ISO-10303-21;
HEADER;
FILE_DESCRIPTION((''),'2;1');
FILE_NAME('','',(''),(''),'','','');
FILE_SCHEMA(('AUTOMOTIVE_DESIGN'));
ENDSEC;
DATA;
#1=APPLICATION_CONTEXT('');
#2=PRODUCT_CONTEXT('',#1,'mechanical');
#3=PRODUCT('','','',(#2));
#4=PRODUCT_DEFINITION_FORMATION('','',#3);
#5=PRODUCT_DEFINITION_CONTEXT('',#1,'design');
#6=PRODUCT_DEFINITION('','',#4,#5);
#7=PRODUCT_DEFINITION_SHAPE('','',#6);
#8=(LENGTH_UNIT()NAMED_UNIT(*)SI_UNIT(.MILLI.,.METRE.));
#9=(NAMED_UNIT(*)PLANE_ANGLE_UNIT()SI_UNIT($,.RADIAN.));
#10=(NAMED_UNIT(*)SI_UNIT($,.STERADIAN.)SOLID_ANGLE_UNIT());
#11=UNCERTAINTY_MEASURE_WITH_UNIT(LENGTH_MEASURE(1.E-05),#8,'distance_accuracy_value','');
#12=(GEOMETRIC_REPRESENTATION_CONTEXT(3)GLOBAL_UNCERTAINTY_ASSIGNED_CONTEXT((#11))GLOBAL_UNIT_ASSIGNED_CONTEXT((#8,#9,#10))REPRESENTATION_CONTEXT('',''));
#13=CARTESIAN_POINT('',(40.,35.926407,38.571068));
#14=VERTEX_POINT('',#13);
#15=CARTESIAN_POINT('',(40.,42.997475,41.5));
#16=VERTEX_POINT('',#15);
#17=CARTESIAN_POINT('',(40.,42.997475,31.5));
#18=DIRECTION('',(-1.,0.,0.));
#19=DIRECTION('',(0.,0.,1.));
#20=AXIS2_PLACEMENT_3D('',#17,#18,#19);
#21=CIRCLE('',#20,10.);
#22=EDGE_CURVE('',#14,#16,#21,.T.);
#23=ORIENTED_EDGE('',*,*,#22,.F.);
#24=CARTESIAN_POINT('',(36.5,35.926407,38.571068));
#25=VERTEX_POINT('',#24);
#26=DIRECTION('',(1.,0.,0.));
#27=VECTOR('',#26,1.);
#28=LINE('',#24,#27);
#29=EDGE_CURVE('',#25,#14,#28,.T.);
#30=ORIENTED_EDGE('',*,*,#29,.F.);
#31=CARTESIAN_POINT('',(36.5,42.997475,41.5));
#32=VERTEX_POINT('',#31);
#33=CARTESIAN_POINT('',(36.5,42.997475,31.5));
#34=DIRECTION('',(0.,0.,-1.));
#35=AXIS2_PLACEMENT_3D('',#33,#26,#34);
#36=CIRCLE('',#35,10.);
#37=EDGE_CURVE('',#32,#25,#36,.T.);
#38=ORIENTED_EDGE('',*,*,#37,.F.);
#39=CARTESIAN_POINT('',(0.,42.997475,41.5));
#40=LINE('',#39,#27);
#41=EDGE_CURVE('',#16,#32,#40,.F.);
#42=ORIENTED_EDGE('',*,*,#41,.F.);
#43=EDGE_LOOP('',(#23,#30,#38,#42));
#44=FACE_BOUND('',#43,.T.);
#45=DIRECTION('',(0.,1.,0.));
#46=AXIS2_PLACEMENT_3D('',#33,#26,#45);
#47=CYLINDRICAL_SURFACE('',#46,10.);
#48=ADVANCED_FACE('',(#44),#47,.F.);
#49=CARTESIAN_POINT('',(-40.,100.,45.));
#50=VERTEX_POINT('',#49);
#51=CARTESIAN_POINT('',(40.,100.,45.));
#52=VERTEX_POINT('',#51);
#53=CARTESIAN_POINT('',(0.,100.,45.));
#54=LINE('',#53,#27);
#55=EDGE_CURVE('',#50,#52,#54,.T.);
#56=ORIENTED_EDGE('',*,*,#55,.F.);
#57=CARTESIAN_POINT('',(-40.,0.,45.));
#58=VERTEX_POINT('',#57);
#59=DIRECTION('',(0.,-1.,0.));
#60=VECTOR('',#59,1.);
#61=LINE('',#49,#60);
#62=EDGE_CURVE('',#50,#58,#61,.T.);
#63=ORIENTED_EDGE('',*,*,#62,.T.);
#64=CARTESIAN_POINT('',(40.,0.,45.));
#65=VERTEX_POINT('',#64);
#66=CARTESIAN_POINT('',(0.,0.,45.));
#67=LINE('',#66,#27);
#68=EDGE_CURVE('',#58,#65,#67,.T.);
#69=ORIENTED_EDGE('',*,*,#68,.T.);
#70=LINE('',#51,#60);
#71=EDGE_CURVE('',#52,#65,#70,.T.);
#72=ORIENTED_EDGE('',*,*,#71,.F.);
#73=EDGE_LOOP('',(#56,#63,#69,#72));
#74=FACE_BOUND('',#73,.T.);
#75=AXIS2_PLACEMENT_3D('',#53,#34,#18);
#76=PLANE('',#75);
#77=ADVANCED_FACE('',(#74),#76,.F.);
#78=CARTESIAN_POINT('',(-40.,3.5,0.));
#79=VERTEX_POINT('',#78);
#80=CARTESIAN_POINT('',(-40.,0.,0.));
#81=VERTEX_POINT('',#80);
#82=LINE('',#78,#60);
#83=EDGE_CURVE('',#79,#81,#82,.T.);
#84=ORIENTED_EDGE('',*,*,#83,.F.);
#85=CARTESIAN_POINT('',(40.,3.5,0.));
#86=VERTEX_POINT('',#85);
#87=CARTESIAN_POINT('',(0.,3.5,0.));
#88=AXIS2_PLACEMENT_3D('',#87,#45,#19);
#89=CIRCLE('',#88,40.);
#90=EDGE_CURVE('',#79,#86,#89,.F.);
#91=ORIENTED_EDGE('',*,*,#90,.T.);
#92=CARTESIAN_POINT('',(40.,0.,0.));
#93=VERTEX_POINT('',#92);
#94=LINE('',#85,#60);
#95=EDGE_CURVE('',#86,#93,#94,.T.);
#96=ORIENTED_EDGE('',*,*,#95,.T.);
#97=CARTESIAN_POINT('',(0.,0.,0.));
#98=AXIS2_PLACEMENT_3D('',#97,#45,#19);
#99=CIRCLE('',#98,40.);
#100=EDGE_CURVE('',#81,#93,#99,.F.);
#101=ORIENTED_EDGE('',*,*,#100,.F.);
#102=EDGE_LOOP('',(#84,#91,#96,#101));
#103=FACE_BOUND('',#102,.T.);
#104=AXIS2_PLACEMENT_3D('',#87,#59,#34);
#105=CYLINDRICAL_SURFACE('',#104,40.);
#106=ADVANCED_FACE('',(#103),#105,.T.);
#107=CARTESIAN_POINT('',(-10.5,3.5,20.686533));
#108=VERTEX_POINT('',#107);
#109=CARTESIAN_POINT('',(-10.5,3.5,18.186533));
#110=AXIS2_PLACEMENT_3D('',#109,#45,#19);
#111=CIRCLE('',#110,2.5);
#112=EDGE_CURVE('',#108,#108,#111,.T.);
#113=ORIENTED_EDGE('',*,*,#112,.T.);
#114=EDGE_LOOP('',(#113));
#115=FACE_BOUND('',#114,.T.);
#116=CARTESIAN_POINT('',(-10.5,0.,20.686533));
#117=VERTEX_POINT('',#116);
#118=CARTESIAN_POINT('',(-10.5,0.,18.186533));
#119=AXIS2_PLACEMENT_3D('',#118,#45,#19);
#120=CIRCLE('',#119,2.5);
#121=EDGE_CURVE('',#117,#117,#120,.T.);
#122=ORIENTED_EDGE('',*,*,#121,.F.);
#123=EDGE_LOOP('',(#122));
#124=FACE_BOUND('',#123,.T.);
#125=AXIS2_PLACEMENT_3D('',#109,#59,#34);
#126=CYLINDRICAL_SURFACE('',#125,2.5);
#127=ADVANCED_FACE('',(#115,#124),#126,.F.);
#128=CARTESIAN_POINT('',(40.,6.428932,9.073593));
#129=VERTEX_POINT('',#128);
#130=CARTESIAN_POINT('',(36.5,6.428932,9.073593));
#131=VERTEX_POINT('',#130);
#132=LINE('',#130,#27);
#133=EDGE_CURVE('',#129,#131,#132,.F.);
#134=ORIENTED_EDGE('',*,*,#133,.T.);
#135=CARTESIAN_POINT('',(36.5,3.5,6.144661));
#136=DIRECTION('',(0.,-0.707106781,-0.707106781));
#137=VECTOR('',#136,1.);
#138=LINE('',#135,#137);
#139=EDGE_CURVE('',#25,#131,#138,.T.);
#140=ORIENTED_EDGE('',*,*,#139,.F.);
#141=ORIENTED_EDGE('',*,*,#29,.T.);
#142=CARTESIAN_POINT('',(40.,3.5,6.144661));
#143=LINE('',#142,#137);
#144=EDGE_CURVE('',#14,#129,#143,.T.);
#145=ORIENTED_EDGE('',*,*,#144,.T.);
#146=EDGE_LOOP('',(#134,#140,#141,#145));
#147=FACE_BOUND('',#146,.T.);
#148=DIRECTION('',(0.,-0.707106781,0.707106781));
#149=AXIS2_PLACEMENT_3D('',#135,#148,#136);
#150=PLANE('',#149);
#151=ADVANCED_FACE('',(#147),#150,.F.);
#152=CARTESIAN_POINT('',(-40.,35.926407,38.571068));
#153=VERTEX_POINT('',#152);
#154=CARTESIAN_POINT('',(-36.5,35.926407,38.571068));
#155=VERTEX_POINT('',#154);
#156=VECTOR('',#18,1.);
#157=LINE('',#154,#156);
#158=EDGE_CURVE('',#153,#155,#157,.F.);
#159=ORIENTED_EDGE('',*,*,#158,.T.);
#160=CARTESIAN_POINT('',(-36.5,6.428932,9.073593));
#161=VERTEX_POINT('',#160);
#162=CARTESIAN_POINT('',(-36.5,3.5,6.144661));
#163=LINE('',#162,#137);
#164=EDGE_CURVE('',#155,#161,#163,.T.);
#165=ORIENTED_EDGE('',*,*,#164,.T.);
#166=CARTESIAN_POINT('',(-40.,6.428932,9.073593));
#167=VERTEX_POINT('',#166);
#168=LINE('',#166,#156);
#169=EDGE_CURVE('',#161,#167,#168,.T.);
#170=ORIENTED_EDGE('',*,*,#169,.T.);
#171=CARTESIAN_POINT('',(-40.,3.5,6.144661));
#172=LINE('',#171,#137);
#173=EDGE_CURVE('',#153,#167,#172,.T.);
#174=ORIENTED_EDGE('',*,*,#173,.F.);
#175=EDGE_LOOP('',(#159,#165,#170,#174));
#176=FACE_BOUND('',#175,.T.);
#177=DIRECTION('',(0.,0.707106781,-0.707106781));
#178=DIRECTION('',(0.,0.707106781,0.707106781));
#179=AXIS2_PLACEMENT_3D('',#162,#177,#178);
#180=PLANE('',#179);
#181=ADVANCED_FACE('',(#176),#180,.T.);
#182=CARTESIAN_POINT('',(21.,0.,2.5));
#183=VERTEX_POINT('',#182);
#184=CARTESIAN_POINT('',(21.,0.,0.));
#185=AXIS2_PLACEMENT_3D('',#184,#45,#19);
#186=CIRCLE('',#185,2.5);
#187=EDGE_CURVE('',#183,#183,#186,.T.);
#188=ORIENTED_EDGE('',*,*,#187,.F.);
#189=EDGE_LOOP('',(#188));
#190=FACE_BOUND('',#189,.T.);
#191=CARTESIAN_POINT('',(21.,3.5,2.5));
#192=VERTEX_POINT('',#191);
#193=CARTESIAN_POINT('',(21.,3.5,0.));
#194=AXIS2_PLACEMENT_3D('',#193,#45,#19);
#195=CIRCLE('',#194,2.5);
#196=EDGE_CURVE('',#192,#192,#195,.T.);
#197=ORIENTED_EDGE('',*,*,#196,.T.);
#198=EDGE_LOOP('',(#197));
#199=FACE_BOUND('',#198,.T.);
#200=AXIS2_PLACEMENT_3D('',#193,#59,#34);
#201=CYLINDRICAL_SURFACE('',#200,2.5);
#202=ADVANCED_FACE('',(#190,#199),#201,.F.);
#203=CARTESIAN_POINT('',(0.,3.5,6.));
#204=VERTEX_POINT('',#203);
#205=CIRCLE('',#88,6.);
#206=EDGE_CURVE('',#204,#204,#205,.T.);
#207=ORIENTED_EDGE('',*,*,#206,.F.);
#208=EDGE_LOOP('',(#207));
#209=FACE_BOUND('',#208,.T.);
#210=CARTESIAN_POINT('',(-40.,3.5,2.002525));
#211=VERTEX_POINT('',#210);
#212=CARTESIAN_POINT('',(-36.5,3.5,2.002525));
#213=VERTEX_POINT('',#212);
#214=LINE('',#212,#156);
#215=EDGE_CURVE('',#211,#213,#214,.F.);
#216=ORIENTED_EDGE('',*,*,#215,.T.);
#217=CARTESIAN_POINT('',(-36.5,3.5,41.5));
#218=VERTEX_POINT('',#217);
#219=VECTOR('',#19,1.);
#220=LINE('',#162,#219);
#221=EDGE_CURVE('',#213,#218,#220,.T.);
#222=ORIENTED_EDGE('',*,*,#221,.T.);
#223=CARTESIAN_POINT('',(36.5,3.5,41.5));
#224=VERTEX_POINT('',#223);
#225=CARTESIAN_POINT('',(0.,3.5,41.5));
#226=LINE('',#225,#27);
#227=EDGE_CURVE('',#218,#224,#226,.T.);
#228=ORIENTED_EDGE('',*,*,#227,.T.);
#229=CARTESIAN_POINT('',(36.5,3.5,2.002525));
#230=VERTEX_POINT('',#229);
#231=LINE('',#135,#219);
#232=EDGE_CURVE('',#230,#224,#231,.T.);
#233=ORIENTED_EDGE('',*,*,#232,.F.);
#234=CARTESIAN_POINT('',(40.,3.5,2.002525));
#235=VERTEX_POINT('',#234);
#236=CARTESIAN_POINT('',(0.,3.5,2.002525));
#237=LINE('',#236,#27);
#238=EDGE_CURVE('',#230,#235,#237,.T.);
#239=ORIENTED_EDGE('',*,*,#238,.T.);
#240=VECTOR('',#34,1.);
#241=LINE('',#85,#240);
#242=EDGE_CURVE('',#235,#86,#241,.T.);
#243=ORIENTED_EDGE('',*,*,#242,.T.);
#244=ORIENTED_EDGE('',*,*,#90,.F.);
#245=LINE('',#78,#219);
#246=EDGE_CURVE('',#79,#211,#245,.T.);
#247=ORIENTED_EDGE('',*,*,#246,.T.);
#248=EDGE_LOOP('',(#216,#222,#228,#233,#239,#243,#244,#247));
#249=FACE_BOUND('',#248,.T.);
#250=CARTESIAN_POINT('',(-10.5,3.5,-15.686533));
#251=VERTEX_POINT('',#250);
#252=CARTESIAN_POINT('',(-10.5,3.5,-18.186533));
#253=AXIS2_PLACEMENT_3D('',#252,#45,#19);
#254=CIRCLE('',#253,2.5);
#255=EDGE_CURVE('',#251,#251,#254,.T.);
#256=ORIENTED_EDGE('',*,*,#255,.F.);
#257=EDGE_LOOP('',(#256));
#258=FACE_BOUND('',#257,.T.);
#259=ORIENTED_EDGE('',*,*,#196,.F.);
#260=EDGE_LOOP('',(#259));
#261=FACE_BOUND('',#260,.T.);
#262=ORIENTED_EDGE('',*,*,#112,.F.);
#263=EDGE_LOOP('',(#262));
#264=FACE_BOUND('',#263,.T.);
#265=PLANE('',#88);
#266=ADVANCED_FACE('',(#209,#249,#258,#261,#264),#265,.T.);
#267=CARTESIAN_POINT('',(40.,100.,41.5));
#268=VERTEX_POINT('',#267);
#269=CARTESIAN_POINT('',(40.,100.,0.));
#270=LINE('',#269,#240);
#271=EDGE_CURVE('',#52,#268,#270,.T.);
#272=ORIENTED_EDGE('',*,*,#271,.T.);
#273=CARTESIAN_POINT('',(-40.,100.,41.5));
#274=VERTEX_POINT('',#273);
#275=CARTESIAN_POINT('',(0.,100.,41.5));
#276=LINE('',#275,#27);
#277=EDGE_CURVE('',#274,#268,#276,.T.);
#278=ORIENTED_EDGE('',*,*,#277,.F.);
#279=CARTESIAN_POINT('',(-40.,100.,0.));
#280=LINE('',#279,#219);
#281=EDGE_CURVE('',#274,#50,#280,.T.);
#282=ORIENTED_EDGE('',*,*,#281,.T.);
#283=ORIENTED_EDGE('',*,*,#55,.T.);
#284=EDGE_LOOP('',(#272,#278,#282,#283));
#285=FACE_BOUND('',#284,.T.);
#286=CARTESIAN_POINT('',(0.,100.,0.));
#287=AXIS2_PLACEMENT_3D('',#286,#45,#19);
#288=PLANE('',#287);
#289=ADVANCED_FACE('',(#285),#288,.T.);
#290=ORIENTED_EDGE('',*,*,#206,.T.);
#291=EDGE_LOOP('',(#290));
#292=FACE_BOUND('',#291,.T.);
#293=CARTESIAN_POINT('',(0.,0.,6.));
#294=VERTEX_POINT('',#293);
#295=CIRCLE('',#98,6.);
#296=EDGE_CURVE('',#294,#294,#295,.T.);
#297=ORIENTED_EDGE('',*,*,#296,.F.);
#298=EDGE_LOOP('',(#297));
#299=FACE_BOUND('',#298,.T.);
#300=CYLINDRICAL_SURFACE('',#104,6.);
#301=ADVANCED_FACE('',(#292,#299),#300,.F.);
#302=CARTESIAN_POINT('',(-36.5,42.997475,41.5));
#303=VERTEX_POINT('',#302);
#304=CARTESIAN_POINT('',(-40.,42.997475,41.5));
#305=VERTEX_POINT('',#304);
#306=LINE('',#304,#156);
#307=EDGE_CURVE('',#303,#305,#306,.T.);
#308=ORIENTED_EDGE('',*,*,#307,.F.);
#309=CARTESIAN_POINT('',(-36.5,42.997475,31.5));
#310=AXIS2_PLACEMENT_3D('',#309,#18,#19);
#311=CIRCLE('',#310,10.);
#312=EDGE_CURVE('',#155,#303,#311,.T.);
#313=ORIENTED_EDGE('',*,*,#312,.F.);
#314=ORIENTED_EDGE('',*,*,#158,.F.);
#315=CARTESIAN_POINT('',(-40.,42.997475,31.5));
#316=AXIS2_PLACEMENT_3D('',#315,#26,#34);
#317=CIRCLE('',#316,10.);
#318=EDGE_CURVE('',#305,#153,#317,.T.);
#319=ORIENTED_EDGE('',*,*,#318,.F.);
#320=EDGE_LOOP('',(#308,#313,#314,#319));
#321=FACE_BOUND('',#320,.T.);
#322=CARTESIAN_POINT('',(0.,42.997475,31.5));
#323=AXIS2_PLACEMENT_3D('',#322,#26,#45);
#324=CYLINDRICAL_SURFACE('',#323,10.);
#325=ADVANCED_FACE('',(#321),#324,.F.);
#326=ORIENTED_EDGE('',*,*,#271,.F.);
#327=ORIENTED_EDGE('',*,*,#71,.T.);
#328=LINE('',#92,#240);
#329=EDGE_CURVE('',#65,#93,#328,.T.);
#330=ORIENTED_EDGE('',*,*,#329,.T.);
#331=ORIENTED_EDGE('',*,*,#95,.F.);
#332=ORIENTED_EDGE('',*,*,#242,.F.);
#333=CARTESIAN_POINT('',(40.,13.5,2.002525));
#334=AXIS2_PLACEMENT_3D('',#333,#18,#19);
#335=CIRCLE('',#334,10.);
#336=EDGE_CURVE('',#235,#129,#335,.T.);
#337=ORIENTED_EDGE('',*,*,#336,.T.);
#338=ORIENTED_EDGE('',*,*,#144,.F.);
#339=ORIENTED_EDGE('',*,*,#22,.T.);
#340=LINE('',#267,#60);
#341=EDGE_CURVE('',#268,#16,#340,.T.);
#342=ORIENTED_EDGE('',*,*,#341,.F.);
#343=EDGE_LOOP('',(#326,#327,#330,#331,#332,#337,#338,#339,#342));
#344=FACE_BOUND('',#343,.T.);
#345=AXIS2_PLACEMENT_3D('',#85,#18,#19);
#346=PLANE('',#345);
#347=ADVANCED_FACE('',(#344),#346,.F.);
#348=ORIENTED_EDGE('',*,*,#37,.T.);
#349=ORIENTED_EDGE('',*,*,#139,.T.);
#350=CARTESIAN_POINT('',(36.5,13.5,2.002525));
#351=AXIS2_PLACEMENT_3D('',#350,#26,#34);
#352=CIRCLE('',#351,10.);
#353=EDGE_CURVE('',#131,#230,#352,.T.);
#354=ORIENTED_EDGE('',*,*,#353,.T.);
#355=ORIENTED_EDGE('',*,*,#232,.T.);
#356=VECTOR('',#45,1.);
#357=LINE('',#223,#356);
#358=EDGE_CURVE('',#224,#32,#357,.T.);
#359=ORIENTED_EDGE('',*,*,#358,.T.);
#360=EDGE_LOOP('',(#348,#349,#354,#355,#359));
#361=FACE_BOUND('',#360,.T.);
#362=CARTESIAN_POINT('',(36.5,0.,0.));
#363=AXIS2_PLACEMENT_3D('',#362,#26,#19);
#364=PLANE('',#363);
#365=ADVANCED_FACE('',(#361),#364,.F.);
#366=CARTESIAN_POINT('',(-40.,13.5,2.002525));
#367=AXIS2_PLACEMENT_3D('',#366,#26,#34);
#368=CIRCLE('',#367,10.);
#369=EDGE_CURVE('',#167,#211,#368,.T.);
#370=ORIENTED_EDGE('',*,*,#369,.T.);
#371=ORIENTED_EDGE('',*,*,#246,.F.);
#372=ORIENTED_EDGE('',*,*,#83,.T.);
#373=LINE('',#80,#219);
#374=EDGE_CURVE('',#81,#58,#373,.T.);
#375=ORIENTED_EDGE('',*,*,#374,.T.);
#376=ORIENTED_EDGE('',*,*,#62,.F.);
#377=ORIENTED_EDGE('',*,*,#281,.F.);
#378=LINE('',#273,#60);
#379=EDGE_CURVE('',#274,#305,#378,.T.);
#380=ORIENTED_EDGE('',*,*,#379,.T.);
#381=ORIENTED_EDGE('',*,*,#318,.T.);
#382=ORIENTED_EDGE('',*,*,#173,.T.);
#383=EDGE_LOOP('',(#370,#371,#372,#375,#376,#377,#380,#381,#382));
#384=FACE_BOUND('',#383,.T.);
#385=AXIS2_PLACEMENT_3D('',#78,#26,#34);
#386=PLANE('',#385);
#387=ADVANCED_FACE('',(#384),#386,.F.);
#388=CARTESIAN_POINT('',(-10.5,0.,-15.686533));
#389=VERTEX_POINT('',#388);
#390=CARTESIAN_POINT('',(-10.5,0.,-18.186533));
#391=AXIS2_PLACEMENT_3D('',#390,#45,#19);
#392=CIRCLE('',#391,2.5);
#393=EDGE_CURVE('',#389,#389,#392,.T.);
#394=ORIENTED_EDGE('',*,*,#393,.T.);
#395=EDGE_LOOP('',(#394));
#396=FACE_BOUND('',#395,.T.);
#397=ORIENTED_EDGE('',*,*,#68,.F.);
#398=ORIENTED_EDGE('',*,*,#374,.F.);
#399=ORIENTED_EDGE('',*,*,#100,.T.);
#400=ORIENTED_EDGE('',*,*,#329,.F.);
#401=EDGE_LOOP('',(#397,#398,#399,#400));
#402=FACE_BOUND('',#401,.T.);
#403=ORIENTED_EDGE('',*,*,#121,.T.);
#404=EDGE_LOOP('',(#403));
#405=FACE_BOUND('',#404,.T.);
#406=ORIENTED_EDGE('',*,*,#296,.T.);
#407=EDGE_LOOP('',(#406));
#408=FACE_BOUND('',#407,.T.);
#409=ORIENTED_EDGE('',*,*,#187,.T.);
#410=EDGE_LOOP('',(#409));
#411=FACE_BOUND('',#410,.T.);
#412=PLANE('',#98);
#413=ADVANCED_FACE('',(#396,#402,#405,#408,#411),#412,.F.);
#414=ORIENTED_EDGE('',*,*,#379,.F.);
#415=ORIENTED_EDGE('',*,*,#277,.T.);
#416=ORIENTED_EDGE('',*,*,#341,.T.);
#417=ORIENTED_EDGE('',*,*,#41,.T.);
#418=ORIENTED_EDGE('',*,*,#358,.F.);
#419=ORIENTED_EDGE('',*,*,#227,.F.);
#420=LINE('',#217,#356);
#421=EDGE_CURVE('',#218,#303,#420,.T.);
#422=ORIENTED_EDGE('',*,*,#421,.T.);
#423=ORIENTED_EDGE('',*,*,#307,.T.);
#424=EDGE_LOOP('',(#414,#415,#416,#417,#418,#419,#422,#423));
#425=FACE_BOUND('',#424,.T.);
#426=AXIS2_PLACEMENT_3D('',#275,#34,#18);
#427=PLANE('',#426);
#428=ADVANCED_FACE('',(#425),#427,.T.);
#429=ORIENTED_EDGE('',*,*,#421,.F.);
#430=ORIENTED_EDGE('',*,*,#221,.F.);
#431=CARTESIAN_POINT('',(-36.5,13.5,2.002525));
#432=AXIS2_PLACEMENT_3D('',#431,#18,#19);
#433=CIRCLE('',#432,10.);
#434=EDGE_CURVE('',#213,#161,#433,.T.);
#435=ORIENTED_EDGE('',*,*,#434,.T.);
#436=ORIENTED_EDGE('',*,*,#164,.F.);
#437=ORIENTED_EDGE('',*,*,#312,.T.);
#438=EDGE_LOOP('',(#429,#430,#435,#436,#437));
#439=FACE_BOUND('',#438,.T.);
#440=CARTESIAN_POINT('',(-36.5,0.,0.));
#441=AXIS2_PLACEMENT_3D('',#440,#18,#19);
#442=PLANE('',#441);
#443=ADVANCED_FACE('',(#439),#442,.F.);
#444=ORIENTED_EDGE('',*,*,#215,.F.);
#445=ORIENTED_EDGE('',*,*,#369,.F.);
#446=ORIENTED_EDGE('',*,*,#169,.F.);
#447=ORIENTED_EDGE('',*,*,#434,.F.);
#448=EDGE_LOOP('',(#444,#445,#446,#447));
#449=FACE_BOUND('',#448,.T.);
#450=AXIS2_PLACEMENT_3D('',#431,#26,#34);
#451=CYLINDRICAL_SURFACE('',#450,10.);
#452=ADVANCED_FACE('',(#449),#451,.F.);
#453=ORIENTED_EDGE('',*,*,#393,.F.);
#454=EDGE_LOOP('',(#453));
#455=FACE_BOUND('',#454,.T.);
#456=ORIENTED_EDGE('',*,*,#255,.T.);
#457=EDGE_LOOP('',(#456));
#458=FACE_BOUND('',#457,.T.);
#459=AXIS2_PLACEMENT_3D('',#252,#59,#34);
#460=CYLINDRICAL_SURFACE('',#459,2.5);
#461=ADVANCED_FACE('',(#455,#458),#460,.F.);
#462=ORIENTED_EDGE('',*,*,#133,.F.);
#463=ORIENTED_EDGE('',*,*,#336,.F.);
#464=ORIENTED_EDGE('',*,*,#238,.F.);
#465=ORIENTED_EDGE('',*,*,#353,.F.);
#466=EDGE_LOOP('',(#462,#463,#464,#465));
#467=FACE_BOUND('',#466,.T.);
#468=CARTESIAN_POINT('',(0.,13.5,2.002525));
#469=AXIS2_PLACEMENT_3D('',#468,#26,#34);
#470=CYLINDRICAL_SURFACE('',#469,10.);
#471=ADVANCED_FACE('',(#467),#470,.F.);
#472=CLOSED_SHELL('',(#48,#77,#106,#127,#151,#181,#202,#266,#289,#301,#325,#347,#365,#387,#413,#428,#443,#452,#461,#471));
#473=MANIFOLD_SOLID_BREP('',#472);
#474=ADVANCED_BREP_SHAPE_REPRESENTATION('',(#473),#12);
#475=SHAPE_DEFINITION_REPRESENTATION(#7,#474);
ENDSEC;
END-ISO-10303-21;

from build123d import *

# Parameters (mm, degrees)
SKETCH1_R            = 2.5
SKETCH1_R_2          = 6
BOSS_EXTRUDE1_DEPTH  = 3.5
SKETCH1_3_W          = 80
SKETCH1_3_H          = 3.5
BOSS_EXTRUDE2_DEPTH  = 100
BOSS_EXTRUDE3_DEPTH  = 3.5
FILLET1_R            = 10
FILLET1_OF_MIRROR1_R = 10


with BuildPart() as part:
    # Sketch1 → Boss-Extrude1 (new body)
    with BuildSketch(Plane(origin=(0, 0, 0), x_dir=(1, 0, 0), z_dir=(0, 1, 0))):
        with BuildLine():
            ThreePointArc((40, 0), (0, 40), (-40, 0))
            Line((-40, 0), (-40, -41.5))
            Line((-40, -41.5), (40, -41.5))
            Line((40, -41.5), (40, 0))
        make_face()
        with Locations((21, 0)):
            Circle(SKETCH1_R, mode=Mode.SUBTRACT)
        with Locations((-10.5, -18.186533479)):
            Circle(SKETCH1_R, mode=Mode.SUBTRACT)
        with Locations((-10.5, 18.186533479)):
            Circle(SKETCH1_R, mode=Mode.SUBTRACT)
        Circle(SKETCH1_R_2, mode=Mode.SUBTRACT)
    extrude(amount=BOSS_EXTRUDE1_DEPTH)

    # Sketch1_3 → Boss-Extrude2 (add)
    with BuildSketch(Plane(origin=(0, 0, 0), x_dir=(1, 0, 0), z_dir=(0, 1, 0))):
        with Locations((0, -43.25)):
            Rectangle(SKETCH1_3_W, SKETCH1_3_H)
    extrude(amount=BOSS_EXTRUDE2_DEPTH)

    # Sketch5 → Boss-Extrude3 (add)
    with BuildSketch(Plane.ZY.offset(40)):
        Polygon((6.144660941, 3.5), (41.5, 38.855339059), (41.5, 3.5), align=None)
    boss_extrude3 = extrude(amount=-BOSS_EXTRUDE3_DEPTH)

    # Fillet1
    fillet1_edges = [part.edges().sort_by_distance(p)[0] for p in [
        (-38.25, 3.5, 6.144660941),
        (-38.25, 38.855339059, 41.5),
    ]]
    fillet(fillet1_edges, radius=FILLET1_R)

    # Mirror1: Boss-Extrude3 across plane
    add(boss_extrude3.mirror(Plane(origin=(0, 0, 0), x_dir=(0, 0, 1), z_dir=(1, 0, 0))))

    # Fillet1 of Mirror1
    fillet1_of_mirror1_edges = [part.edges().sort_by_distance(p)[0] for p in [
        (38.25, 3.5, 6.144660941),
        (38.25, 38.855339059, 41.5),
    ]]
    fillet(fillet1_of_mirror1_edges, radius=FILLET1_OF_MIRROR1_R)


solid = part.part
